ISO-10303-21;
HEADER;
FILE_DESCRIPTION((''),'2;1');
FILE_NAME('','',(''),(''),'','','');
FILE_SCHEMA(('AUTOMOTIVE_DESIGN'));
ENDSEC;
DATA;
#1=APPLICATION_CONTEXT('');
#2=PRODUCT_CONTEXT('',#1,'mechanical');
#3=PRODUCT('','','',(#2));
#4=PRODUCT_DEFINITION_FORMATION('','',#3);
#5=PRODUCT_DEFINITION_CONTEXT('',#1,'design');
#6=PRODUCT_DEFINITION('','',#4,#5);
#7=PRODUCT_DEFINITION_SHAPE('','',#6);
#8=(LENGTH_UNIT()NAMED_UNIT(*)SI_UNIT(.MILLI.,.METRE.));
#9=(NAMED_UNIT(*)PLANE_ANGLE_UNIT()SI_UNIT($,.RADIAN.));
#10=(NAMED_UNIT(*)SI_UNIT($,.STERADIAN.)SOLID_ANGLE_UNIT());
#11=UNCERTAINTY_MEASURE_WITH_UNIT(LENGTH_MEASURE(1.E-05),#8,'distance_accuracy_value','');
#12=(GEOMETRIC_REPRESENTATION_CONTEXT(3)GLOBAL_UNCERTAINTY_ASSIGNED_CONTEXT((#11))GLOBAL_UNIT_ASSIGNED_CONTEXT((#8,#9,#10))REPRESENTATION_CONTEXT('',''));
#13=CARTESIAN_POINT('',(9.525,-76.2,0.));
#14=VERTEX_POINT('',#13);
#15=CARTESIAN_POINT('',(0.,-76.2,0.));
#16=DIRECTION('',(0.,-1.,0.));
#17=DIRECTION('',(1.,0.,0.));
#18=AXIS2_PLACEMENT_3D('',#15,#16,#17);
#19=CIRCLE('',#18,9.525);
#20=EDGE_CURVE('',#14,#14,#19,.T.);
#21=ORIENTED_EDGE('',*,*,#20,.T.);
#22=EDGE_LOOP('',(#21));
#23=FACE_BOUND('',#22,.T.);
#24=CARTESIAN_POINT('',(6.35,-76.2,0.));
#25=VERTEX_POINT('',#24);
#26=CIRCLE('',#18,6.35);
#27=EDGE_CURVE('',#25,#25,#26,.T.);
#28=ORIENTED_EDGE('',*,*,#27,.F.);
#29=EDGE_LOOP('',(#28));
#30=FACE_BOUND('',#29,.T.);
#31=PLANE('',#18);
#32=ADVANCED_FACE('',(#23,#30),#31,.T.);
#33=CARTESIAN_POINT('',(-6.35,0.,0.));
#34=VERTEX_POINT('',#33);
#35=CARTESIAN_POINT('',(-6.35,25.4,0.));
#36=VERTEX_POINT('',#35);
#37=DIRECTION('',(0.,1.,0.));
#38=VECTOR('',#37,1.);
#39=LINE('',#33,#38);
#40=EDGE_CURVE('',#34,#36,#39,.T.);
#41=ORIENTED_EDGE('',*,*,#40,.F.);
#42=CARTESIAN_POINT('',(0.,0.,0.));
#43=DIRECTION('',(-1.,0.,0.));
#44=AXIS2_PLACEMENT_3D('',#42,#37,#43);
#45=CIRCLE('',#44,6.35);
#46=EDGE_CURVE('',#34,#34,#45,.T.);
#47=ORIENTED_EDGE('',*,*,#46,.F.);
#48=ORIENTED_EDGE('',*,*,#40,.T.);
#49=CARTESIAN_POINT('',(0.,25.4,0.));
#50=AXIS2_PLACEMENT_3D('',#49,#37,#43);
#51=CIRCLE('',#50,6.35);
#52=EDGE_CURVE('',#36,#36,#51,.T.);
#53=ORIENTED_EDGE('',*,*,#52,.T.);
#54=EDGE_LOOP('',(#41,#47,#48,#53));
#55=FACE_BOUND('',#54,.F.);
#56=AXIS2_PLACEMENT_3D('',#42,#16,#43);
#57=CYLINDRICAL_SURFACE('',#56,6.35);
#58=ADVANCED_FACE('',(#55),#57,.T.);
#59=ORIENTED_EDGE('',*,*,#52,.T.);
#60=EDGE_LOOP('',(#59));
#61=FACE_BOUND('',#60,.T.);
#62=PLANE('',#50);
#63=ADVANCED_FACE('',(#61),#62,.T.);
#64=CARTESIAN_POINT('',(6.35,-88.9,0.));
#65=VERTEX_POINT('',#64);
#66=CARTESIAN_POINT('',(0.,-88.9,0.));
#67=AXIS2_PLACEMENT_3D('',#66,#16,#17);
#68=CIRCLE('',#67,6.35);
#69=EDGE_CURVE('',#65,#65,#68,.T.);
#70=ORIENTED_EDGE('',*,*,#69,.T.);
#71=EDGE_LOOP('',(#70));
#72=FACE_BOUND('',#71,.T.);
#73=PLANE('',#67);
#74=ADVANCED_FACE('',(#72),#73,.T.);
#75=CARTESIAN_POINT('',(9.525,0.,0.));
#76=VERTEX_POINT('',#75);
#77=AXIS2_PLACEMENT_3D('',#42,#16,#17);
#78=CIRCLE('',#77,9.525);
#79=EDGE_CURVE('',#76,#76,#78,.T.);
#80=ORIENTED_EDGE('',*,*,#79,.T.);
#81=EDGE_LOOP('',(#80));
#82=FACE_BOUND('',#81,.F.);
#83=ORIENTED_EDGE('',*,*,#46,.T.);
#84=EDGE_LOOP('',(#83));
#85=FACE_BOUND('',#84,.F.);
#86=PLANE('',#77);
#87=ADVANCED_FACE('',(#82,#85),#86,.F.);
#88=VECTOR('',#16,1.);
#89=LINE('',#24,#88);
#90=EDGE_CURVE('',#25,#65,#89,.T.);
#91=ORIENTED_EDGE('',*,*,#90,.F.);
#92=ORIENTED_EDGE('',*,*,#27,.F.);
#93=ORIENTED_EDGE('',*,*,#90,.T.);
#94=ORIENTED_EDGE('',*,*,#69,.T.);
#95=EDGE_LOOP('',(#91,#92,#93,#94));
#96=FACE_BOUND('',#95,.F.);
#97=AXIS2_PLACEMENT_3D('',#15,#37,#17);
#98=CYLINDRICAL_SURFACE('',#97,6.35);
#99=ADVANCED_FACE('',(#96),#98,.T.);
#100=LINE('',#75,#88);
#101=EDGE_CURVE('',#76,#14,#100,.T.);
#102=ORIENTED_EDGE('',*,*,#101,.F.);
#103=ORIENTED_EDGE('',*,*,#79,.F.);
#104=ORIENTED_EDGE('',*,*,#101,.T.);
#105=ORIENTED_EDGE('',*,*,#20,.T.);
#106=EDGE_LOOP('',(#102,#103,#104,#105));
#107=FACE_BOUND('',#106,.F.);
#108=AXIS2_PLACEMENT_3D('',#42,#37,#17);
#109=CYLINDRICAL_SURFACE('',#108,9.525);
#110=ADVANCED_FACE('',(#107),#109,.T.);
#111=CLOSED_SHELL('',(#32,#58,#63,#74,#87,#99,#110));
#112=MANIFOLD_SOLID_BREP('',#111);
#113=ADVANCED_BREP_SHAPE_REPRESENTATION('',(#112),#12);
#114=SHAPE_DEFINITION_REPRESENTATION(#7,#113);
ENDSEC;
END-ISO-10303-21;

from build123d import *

# Parameters (mm, degrees)
F0_R     = 9.525
F0_R_2   = 6.35
F1_DEPTH = 76.2
F2_R     = 6.35
F3_DEPTH = 12.7
F4_R     = 6.35
F5_DEPTH = 25.4


with BuildPart() as f1:
    # F0 (on Front) → F1 (new body)
    with BuildSketch(Plane.XZ):
        Circle(F0_R)
        Circle(F0_R_2, mode=Mode.SUBTRACT)
        Circle(F0_R_2)
    extrude(amount=F1_DEPTH)

    # F2 (on face) → F3 (join)
    with BuildSketch(Plane.XZ.offset(76.2)):
        Circle(F2_R)
    extrude(amount=F3_DEPTH)

    # F4 (on face) → F5 (join)
    with BuildSketch(Plane(origin=(0, 0, 0), x_dir=(-1, 0, 0), z_dir=(0, 1, 0))):
        Circle(F4_R)
    extrude(amount=F5_DEPTH)


solid = f1.part
